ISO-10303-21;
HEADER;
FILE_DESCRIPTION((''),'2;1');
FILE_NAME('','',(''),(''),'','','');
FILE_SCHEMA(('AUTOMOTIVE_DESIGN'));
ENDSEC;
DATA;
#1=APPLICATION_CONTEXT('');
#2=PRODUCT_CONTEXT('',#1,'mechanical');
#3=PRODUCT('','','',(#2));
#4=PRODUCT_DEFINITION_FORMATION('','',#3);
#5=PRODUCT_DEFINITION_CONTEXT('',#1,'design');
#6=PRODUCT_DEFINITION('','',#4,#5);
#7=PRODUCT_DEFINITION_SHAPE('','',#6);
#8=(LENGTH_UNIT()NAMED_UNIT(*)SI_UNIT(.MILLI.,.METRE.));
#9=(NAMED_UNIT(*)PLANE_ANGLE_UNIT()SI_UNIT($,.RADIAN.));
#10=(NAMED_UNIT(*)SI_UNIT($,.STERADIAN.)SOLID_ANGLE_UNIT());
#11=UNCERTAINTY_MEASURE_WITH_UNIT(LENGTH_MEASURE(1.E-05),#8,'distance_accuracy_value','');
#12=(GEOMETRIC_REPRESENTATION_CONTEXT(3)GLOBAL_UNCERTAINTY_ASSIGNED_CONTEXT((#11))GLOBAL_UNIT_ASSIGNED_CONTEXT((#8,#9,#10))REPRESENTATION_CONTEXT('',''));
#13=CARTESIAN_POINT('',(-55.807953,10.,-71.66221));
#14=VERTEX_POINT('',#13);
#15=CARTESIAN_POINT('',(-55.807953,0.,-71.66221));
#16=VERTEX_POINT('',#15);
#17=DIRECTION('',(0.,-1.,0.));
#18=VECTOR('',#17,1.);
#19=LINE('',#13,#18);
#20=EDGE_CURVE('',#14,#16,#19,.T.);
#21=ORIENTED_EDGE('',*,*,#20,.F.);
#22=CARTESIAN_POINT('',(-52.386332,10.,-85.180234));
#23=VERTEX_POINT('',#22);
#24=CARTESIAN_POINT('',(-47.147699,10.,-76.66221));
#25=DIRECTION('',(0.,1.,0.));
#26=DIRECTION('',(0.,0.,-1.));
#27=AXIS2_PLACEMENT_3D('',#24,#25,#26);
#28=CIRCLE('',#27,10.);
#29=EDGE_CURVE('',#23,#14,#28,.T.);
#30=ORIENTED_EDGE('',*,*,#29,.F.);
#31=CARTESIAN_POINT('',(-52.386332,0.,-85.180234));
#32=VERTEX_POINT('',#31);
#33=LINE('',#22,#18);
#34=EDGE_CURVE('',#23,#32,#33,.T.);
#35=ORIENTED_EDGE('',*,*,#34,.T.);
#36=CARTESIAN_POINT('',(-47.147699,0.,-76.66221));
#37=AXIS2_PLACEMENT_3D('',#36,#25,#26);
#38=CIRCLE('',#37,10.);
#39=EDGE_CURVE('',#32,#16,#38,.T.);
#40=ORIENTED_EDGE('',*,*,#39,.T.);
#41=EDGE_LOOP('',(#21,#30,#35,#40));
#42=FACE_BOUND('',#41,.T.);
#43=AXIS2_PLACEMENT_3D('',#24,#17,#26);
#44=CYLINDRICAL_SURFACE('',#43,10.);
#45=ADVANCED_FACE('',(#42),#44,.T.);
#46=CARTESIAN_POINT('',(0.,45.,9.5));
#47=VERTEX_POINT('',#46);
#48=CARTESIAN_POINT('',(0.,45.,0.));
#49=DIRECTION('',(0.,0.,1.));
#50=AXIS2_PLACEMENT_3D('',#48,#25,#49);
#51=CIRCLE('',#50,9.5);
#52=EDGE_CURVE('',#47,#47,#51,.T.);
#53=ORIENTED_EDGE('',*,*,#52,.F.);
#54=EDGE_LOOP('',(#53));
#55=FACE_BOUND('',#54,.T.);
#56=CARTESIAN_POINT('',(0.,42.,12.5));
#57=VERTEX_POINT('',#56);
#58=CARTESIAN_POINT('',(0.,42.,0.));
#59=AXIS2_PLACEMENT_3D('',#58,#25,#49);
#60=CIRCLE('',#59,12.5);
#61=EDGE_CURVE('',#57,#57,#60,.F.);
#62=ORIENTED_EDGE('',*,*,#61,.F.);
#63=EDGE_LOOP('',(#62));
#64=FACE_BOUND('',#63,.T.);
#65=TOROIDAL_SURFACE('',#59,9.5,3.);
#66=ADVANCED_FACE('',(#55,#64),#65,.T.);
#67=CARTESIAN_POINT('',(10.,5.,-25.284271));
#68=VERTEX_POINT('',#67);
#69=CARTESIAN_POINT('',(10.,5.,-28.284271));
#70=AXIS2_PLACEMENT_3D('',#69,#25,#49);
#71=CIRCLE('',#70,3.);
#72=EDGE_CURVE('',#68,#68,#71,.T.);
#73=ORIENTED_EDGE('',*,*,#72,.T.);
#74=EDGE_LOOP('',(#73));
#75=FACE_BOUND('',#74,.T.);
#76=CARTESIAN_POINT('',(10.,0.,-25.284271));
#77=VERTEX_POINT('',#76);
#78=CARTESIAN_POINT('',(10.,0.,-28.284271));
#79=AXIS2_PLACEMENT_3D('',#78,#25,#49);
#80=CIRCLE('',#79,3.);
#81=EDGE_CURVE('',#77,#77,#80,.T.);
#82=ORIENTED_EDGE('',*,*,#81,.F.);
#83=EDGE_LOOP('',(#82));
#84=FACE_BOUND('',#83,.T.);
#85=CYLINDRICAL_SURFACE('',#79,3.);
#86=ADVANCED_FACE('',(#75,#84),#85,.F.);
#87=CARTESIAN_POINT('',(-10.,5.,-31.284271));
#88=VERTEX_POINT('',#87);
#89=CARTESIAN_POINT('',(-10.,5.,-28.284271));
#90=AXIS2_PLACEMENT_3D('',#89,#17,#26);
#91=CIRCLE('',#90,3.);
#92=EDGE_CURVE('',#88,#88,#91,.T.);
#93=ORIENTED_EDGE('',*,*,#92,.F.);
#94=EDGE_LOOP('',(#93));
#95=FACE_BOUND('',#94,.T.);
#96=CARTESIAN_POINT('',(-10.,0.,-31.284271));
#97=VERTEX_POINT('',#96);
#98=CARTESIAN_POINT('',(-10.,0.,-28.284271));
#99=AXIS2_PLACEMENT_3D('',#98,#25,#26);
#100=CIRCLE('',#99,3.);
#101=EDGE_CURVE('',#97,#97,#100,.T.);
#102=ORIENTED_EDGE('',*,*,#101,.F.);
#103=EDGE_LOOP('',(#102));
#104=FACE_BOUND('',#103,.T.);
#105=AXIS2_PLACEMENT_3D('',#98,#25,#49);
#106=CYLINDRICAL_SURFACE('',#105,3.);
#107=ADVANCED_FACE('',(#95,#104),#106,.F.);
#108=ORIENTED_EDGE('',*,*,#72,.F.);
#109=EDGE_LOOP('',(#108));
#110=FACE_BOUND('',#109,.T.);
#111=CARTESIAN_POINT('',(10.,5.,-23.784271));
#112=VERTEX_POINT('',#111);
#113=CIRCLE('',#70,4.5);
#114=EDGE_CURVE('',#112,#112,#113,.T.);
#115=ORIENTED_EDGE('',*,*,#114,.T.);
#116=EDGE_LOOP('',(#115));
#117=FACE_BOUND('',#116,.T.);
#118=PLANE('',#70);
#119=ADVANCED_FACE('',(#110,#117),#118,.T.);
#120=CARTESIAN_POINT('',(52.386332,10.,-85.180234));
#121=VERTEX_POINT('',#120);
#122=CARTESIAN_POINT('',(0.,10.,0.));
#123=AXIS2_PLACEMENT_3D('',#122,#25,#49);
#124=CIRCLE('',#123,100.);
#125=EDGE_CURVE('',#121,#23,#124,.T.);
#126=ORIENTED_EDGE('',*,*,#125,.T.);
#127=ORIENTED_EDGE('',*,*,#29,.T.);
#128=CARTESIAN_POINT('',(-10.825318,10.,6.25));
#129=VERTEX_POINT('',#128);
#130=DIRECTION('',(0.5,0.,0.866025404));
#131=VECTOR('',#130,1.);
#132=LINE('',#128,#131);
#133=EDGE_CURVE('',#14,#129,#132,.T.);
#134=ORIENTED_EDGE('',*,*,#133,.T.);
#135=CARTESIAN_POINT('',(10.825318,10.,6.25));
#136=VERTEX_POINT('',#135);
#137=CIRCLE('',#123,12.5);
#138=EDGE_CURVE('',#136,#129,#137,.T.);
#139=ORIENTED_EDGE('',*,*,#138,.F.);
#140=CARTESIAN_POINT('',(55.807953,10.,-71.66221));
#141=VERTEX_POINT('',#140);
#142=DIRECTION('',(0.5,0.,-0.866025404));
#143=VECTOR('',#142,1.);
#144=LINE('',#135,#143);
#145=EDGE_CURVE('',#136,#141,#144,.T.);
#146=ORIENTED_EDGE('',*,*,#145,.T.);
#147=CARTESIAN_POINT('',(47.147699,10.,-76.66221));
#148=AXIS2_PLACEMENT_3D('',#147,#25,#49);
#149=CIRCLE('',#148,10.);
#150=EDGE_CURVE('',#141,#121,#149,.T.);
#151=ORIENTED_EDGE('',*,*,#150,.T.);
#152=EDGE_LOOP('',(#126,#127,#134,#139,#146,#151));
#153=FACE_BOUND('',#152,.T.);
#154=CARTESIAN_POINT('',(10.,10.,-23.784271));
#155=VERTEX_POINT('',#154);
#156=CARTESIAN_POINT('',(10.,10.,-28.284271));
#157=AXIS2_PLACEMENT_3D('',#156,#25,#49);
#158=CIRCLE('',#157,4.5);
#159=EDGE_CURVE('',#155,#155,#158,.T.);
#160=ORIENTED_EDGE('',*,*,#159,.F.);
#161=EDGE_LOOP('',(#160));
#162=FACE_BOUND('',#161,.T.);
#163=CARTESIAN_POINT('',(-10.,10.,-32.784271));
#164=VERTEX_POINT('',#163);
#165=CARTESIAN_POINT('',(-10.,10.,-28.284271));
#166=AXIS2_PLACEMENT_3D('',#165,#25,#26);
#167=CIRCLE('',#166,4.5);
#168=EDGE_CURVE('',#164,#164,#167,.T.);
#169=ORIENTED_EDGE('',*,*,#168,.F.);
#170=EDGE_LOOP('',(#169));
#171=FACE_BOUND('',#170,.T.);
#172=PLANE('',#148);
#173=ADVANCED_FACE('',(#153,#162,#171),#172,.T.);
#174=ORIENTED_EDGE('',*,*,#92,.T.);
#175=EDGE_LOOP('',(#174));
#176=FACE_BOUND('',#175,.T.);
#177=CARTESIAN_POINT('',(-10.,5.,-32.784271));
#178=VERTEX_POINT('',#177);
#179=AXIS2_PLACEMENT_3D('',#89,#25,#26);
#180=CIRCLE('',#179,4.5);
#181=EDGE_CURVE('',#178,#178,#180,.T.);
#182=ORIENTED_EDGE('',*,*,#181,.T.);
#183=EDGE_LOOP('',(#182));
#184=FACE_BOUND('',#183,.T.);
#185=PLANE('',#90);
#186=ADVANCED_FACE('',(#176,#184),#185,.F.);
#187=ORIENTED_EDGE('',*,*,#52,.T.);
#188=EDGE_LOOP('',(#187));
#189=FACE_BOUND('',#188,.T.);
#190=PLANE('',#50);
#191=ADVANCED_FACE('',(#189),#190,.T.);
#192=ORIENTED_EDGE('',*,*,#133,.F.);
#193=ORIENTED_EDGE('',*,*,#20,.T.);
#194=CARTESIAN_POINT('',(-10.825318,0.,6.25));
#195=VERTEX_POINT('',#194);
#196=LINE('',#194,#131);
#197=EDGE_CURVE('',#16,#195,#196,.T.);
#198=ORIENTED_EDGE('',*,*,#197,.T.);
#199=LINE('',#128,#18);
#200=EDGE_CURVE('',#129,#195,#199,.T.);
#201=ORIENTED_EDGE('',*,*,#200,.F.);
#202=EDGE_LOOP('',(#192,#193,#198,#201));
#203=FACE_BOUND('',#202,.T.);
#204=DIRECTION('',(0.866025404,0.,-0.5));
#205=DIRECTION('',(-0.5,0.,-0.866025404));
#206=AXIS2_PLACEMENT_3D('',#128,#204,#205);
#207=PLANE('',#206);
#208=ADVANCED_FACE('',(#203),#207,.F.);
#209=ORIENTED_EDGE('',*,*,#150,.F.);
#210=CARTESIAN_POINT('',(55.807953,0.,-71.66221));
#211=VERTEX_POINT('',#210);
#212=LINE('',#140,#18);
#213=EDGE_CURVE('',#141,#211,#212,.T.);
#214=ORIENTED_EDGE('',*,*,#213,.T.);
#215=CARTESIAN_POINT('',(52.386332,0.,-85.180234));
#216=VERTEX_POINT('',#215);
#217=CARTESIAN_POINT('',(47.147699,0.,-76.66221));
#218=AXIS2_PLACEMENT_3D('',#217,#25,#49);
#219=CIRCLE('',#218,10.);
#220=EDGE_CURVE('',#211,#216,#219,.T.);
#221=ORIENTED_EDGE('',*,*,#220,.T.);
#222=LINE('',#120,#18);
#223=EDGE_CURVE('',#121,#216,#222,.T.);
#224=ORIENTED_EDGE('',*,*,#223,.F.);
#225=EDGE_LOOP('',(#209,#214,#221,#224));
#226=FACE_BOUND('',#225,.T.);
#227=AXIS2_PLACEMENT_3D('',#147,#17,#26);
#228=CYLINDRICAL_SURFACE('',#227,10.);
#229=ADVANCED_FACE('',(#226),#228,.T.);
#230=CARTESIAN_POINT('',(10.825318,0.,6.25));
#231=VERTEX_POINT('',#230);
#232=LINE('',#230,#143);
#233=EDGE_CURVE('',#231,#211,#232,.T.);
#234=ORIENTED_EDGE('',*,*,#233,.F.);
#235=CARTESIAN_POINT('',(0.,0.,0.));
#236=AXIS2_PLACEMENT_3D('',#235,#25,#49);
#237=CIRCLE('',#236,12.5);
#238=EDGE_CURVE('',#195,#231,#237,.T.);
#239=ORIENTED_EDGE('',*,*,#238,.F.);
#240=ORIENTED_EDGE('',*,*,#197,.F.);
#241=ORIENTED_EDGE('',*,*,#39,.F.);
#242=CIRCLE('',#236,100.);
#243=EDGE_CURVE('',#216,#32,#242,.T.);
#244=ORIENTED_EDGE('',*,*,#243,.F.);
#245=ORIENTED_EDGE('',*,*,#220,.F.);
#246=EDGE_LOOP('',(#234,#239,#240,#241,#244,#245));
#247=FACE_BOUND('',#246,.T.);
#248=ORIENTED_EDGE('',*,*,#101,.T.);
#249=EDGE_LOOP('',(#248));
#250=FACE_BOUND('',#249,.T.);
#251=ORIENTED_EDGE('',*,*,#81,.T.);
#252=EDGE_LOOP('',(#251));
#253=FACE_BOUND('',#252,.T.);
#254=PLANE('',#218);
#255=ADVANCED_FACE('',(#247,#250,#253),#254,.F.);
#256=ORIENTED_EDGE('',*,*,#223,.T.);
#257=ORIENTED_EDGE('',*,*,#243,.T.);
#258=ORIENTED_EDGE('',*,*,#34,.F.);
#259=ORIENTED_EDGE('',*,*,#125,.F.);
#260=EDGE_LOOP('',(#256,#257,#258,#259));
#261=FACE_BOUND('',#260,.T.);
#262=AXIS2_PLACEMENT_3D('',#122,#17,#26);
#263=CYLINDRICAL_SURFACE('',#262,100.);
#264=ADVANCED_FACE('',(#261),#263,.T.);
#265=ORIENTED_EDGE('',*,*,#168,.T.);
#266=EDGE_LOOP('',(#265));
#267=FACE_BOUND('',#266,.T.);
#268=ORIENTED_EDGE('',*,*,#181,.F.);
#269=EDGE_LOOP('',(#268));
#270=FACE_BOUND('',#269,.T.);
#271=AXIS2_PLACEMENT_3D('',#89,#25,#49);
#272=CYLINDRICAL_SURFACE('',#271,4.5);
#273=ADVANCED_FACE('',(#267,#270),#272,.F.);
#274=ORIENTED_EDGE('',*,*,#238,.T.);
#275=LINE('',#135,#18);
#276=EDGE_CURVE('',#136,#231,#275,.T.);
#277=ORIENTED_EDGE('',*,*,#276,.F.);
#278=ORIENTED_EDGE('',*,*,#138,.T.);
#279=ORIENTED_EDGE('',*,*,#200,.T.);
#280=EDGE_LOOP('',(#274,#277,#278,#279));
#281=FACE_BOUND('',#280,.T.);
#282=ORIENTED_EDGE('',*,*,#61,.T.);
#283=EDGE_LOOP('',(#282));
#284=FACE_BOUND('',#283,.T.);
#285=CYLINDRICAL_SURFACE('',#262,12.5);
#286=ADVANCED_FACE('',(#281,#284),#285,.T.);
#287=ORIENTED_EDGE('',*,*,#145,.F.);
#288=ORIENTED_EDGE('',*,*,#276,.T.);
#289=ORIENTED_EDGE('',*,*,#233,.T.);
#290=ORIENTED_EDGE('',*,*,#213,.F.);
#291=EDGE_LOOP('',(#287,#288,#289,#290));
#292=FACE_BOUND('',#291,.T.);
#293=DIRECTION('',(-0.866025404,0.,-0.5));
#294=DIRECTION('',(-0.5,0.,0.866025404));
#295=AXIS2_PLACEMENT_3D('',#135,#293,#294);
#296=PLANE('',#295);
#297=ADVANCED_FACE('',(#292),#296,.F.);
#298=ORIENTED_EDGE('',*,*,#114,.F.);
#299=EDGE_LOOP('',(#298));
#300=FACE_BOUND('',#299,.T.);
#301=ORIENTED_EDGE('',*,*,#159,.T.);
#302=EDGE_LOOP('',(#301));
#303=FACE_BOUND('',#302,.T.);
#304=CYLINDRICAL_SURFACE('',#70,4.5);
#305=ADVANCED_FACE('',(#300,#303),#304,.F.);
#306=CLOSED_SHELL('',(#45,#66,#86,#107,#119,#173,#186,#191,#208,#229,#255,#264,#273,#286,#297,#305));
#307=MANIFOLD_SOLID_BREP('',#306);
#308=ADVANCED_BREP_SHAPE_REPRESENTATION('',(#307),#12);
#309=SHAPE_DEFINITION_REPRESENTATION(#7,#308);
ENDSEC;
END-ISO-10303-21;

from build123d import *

# Parameters (mm, degrees)
BOSS_EXTRUDE1_DEPTH = 10
SKETCH2_R           = 4.5
CUT_EXTRUDE1_DEPTH  = 5
SKETCH3_R           = 3
CUT_EXTRUDE2_DEPTH  = 116.610810509
SKETCH4_R           = 12.5
BOSS_EXTRUDE2_DEPTH = 35
FILLET1_R           = 3


with BuildPart() as part:
    # Sketch1 → Boss-Extrude1 (new body)
    with BuildSketch(Plane(origin=(0, 0, 0), x_dir=(1, 0, 0), z_dir=(0, 1, 0))):
        with BuildLine():
            Line((-10.825317547, -6.25), (-55.807953086, 71.662210211))
            ThreePointArc((-55.807953086, 71.662210211), (-56.841976003, 79.115981661), (-52.386332276, 85.180233568))
            ThreePointArc((-52.386332276, 85.180233568), (0, 100), (52.386332276, 85.180233568))
            ThreePointArc((52.386332276, 85.180233568), (56.841976003, 79.115981661), (55.807953086, 71.662210211))
            Line((55.807953086, 71.662210211), (10.825317547, -6.25))
            ThreePointArc((10.825317547, -6.25), (0, -12.5), (-10.825317547, -6.25))
        make_face()
    extrude(amount=BOSS_EXTRUDE1_DEPTH)

    # Sketch2 → Cut-Extrude1 (cut)
    with BuildSketch(Plane(origin=(0, 10, 0), x_dir=(1, 0, 0), z_dir=(0, 1, 0))):
        with Locations(Location((10, 28.284271247, 0), (0, 0, 270))):
            Circle(SKETCH2_R)
        with Locations(Location((-10, 28.284271247, 0), (0, 0, 90))):
            Circle(SKETCH2_R)
    extrude(amount=-CUT_EXTRUDE1_DEPTH, mode=Mode.SUBTRACT)

    # Sketch3 → Cut-Extrude2 (cut, through all)
    with BuildSketch(Plane(origin=(0, 10, 0), x_dir=(1, 0, 0), z_dir=(0, 1, 0))):
        with Locations(Location((10, 28.284271247, 0), (0, 0, 270))):
            Circle(SKETCH3_R)
        with Locations(Location((-10, 28.284271247, 0), (0, 0, 90))):
            Circle(SKETCH3_R)
    extrude(amount=-CUT_EXTRUDE2_DEPTH, mode=Mode.SUBTRACT)

    # Sketch4 → Boss-Extrude2 (add)
    with BuildSketch(Plane(origin=(0, 10, 0), x_dir=(1, 0, 0), z_dir=(0, 1, 0))):
        with Locations(Location((0, 0, 0), (0, 0, 330))):
            Circle(SKETCH4_R)
    extrude(amount=BOSS_EXTRUDE2_DEPTH)

    # Fillet1
    fillet1_edges = [part.edges().sort_by_distance(p)[0] for p in [
        (-10.825317547, 45, -6.25),
    ]]
    fillet(fillet1_edges, radius=FILLET1_R)


solid = part.part
